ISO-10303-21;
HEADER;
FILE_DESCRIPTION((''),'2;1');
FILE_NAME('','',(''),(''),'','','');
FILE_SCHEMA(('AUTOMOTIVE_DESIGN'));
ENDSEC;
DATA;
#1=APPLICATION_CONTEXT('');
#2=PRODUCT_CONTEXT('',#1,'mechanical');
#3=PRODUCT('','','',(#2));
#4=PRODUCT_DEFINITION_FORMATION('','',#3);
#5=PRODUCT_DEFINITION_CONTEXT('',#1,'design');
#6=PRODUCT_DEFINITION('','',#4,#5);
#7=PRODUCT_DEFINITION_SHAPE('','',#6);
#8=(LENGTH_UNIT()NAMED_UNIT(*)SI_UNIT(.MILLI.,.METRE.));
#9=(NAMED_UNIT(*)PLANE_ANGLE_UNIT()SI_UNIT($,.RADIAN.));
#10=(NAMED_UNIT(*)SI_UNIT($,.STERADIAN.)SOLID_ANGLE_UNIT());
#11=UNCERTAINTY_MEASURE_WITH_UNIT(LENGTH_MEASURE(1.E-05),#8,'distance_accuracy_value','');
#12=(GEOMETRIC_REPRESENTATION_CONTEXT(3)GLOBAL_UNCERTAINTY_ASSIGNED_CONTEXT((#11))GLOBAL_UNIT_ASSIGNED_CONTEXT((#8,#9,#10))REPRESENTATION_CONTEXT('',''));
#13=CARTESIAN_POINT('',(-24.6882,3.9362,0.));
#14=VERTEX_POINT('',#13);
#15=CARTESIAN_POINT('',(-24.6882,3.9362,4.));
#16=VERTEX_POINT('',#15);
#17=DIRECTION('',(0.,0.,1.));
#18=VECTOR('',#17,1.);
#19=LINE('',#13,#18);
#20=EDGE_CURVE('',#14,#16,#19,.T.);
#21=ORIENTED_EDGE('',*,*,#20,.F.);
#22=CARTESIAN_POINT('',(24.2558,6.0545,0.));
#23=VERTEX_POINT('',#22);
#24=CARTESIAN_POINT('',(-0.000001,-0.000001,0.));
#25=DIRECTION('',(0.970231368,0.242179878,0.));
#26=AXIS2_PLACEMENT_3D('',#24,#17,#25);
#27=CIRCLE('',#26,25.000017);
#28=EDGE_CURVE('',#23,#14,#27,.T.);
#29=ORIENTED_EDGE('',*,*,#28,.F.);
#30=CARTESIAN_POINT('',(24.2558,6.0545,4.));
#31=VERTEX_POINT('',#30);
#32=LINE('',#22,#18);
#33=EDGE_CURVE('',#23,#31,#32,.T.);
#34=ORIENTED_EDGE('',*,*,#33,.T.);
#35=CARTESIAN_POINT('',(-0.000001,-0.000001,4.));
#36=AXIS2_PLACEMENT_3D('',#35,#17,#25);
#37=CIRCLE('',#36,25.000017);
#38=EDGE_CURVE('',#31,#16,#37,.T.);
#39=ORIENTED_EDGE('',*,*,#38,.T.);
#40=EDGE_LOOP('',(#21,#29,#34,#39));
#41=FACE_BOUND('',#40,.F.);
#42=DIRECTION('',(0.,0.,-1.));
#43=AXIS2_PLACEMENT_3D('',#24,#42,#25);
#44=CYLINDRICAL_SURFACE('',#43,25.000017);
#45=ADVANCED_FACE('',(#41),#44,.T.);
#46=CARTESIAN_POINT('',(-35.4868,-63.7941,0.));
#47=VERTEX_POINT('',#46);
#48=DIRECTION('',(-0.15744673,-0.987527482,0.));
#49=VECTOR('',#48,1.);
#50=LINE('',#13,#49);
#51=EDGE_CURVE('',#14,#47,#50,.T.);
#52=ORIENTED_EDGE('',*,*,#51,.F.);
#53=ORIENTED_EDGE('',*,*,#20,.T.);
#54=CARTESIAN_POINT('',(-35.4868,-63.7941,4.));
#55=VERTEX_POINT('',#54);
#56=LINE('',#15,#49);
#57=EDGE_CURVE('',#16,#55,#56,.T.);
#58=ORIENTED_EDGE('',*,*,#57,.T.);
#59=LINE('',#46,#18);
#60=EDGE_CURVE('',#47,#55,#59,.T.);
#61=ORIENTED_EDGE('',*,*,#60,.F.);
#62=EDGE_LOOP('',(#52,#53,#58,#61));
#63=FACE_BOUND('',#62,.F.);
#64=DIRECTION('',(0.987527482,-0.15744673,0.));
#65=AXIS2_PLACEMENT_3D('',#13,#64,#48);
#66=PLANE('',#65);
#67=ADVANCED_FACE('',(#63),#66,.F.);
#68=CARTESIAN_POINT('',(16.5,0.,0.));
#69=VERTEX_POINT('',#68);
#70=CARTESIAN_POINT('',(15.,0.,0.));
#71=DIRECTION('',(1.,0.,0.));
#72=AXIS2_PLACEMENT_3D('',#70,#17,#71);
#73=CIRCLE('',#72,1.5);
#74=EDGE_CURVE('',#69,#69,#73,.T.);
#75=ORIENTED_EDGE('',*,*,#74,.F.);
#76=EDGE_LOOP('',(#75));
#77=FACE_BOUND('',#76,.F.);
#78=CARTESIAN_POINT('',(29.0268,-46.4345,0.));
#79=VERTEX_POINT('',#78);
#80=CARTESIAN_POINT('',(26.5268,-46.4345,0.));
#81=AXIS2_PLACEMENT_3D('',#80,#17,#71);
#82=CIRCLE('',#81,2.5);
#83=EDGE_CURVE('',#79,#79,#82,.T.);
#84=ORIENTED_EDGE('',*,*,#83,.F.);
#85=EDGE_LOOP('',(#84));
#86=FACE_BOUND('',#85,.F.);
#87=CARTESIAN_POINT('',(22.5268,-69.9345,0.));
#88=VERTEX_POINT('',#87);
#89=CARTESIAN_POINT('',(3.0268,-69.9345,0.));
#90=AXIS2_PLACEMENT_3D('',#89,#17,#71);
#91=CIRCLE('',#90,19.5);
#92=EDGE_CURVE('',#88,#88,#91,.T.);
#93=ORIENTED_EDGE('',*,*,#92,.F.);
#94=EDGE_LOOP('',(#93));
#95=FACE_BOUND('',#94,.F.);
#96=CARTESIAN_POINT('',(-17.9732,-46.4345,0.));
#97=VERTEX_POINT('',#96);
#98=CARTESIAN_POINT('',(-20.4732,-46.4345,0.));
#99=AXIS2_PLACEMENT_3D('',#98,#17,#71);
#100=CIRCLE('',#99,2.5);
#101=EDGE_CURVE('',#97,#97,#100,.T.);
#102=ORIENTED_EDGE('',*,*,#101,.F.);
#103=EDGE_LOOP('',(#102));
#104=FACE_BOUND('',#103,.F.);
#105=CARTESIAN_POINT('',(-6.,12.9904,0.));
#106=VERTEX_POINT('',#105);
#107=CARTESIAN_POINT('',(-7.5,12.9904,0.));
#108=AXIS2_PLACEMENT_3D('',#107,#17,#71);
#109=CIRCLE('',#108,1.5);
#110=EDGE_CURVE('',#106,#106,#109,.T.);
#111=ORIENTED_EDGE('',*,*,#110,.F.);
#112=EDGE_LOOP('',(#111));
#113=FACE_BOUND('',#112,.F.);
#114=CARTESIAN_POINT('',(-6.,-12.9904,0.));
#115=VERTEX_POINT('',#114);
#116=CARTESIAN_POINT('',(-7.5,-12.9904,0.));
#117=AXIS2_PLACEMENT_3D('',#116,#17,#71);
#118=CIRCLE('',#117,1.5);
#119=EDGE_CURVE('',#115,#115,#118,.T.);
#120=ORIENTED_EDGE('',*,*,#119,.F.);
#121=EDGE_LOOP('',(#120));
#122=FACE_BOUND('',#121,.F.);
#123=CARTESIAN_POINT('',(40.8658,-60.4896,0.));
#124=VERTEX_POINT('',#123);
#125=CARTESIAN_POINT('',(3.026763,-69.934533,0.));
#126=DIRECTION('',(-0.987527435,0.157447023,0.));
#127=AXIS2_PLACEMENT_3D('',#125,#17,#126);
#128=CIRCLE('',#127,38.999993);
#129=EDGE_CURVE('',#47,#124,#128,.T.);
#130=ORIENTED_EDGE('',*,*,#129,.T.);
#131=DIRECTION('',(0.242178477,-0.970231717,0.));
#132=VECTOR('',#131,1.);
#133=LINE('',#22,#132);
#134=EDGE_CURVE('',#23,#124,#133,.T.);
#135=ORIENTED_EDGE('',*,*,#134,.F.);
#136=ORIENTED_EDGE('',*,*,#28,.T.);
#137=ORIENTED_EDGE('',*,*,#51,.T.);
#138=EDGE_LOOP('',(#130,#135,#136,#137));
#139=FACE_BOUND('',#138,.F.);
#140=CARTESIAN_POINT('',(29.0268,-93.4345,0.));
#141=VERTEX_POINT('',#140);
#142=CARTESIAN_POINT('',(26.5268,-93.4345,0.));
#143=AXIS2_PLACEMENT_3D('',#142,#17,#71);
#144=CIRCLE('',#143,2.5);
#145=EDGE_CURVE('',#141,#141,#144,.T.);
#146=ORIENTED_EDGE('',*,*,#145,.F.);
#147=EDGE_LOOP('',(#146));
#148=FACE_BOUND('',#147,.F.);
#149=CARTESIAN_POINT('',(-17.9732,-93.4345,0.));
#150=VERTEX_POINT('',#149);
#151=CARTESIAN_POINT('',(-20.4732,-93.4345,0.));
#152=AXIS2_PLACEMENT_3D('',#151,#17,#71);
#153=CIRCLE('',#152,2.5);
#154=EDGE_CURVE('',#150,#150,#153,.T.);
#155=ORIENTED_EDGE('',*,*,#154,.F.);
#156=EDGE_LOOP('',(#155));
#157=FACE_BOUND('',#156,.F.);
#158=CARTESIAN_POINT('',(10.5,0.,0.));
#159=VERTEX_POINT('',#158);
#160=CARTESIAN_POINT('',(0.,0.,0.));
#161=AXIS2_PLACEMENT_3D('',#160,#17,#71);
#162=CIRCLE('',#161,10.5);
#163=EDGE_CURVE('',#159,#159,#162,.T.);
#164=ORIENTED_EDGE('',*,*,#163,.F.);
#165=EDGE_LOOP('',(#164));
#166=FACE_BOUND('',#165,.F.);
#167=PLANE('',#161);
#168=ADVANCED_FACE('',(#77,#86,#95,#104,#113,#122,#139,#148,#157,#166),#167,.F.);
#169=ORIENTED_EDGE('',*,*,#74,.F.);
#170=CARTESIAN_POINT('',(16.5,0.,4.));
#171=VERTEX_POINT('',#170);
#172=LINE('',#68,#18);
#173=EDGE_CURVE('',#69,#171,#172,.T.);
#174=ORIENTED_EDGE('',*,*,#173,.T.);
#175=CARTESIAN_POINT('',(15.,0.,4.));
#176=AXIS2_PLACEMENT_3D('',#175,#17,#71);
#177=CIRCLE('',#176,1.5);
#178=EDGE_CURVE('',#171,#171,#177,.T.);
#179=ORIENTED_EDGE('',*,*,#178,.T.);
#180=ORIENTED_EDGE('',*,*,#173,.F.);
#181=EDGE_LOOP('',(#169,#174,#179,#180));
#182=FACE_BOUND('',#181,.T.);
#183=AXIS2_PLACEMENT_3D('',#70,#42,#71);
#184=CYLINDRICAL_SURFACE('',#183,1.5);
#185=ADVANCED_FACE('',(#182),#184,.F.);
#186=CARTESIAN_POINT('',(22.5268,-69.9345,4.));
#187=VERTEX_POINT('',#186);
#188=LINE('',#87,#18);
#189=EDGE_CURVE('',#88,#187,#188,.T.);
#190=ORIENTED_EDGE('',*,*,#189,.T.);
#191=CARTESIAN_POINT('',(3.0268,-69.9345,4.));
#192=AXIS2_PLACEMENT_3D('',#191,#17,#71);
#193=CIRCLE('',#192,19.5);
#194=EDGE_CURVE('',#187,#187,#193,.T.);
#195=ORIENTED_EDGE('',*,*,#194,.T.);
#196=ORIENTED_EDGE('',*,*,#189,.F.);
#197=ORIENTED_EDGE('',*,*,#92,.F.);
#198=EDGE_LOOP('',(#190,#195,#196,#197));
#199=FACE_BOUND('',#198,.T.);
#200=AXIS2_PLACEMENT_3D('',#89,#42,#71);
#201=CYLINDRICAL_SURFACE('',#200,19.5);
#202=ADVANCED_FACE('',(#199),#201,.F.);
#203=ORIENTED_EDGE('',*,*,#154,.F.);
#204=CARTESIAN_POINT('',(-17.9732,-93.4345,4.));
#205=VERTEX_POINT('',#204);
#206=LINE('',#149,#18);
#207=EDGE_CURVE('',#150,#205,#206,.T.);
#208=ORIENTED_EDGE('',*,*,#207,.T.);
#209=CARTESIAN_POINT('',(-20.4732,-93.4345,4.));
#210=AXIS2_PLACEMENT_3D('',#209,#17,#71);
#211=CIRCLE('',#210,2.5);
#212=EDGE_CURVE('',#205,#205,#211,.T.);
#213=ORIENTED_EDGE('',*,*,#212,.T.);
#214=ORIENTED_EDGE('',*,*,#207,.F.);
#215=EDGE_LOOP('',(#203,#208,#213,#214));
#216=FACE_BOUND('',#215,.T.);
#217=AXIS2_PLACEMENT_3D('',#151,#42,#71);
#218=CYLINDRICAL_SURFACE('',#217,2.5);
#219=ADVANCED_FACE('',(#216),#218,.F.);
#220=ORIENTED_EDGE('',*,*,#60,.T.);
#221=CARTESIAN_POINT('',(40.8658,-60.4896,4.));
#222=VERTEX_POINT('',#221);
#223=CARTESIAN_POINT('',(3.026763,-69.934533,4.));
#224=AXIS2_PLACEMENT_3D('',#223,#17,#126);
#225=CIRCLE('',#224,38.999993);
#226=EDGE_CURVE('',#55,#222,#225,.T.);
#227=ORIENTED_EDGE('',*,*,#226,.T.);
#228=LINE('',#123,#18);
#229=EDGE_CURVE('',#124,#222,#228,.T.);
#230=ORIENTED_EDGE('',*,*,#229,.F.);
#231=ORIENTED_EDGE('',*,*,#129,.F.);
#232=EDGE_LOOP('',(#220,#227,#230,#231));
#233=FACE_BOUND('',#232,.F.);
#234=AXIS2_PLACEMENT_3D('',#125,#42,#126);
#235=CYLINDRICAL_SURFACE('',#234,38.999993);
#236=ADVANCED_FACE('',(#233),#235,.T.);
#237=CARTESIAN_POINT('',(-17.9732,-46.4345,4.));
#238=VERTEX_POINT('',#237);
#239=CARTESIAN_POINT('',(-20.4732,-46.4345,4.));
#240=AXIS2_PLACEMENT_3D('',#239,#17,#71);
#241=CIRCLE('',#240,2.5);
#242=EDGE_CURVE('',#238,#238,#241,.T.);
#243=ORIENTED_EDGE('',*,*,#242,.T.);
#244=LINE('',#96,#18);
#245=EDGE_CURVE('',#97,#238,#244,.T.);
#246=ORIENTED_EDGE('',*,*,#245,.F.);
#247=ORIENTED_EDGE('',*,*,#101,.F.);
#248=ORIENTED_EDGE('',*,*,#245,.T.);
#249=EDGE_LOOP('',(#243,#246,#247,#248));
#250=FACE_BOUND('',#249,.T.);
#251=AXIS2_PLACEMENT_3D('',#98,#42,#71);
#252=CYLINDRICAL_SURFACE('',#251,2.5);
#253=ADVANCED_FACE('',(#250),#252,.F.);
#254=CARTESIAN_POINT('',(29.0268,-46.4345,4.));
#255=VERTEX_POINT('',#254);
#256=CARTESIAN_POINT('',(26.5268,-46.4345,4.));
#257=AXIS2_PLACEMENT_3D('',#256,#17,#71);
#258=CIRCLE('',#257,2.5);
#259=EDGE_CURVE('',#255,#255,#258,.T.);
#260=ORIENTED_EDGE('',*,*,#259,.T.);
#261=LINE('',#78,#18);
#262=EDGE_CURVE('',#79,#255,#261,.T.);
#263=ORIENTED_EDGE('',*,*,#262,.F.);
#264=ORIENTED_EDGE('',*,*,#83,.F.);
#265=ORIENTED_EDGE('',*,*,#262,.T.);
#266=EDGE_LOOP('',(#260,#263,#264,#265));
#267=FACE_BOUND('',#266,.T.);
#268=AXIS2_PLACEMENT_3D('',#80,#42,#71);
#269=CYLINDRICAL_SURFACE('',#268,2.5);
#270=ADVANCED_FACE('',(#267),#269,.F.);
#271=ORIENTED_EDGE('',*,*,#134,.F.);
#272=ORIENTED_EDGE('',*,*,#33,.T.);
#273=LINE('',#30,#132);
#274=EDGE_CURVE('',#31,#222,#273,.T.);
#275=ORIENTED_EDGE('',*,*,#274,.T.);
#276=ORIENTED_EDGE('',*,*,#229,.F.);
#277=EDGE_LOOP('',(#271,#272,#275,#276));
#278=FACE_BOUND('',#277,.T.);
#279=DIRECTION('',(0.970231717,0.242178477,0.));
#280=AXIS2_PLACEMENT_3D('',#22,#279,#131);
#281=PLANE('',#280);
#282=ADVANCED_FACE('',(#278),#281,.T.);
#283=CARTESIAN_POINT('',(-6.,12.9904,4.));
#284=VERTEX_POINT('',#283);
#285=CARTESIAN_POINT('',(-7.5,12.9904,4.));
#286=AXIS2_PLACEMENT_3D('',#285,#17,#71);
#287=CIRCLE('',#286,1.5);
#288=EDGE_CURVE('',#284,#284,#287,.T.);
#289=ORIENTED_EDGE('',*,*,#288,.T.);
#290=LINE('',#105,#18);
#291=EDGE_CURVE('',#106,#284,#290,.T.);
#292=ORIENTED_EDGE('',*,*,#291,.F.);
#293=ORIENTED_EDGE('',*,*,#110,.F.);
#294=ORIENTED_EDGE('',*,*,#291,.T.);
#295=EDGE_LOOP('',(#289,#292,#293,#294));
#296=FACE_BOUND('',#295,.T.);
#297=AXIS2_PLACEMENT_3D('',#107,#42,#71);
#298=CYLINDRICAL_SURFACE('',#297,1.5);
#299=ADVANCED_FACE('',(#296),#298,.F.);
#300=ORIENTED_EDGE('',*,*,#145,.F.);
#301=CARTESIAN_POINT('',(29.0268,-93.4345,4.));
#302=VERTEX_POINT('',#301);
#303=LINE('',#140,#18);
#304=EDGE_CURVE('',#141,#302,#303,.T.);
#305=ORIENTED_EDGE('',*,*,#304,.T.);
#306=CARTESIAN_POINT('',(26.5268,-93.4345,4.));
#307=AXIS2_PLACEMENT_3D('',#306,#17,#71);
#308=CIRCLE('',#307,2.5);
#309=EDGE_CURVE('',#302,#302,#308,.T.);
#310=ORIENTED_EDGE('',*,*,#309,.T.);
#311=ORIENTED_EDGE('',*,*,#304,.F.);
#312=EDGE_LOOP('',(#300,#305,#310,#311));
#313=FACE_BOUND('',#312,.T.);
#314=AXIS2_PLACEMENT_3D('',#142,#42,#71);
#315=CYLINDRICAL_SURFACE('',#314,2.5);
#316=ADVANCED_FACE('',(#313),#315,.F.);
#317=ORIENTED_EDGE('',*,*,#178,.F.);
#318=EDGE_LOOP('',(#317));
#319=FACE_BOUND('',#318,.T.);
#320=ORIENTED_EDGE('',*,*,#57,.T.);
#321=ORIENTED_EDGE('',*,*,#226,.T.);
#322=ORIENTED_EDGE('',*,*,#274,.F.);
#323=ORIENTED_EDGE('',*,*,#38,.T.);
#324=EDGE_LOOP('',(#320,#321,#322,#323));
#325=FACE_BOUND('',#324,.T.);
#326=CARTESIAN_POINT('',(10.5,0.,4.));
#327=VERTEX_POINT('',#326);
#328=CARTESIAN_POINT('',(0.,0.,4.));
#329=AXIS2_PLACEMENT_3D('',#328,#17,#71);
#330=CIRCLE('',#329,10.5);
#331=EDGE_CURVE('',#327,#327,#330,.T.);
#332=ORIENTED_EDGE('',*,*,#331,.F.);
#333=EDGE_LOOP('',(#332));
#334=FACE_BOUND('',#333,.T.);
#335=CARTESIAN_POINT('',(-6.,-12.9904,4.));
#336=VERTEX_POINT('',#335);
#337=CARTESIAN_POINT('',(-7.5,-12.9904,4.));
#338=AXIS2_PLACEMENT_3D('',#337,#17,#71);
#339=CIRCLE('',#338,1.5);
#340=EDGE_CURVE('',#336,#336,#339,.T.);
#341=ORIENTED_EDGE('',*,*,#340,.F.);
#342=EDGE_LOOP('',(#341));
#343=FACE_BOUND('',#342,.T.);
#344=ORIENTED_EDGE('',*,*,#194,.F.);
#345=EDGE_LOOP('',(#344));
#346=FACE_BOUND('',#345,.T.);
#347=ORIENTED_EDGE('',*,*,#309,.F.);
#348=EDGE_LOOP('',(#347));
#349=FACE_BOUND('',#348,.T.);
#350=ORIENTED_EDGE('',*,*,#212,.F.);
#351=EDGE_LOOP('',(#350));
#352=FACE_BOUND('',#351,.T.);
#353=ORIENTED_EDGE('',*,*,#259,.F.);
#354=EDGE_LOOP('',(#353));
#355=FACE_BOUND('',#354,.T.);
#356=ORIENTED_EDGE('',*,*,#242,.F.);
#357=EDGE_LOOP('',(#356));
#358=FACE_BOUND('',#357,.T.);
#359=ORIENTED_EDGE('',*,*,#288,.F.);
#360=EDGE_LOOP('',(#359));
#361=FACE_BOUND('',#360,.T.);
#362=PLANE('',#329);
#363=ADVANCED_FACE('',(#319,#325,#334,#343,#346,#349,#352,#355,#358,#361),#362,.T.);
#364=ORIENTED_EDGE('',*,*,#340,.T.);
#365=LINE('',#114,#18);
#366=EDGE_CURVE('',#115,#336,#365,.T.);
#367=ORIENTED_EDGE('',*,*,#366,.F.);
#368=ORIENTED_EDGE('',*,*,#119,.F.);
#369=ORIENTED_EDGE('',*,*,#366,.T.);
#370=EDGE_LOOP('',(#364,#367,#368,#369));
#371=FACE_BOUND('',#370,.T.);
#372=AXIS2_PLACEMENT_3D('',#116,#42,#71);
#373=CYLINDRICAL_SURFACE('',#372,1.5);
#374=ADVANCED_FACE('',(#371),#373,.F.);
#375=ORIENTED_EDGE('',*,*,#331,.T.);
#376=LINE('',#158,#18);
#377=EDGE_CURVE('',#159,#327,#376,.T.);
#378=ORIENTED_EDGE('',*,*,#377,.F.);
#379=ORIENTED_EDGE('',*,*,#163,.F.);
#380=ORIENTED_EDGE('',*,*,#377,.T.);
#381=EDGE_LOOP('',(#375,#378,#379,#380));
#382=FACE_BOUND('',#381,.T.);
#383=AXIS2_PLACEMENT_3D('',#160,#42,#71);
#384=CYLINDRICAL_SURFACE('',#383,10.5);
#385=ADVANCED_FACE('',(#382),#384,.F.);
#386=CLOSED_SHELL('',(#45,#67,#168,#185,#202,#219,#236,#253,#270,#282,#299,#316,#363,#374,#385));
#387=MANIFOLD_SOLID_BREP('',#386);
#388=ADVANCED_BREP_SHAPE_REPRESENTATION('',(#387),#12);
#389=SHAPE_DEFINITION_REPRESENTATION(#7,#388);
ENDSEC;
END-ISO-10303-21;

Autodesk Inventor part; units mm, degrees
ref_plane "YZ Plane" through (0, 0, 0) normal (1, 0, 0) x (0, 1, 0)
ref_plane "XZ Plane" through (0, 0, 0) normal (0, 1, 0) x (-1, 0, 0)
ref_plane "XY Plane" through (0, 0, 0) normal (0, 0, 1) x (1, 0, 0)
sketch "草圖1" plane through (0, 0, 0) normal (0, 0, 1) x (1, 0, 0)
  circle A0 centre (15, 0) radius 1.5 projected
  circle A1 centre (-7.5, -12.9904) radius 1.5 projected
  circle A2 centre (-7.5, 12.9904) radius 1.5 projected
  circle A3 centre (0, 0) radius 9.94 projected
  arc A4 (24.2558, 6.0545) -> (-24.6882, 3.9362) centre (0, 0) ccw
  arc A5 (-25.4732, -69.9345) -> (3.0268, -98.4345) centre (3.0268, -69.9345) ccw projected
  arc A6 (3.0268, -98.4345) -> (31.5268, -69.9345) centre (3.0268, -69.9345) ccw projected
  arc A7 (-35.4868, -63.7941) -> (40.8658, -60.4896) centre (3.0268, -69.9345) ccw
  line L0 (24.2558, 6.0545) -> (40.8658, -60.4896)
  line L1 (-24.6882, 3.9362) -> (-35.4868, -63.7941)
  circle A8 centre (26.5268, -93.4345) radius 2.5 projected
  circle A9 centre (-20.4732, -93.4345) radius 2.5 projected
  circle A10 centre (-20.4732, -46.4345) radius 2.5 projected
  circle A11 centre (26.5268, -46.4345) radius 2.5 projected
  circle A12 centre (3.0268, -69.9345) radius 19 projected
  circle A13 centre (3.0268, -69.9345) radius 19.5
  circle A14 centre (0, 0) radius 10.5
  point P0 (0, 0)
  dimension "d1" = 50
  dimension "d2" = 78
  dimension "d3" = 39
  dimension "d4" = 21
extrude "擠出1" add sketch "草圖1" along normal blind 4 contours L0 A7 L1 A4
properties part number "Linker_Structure"
